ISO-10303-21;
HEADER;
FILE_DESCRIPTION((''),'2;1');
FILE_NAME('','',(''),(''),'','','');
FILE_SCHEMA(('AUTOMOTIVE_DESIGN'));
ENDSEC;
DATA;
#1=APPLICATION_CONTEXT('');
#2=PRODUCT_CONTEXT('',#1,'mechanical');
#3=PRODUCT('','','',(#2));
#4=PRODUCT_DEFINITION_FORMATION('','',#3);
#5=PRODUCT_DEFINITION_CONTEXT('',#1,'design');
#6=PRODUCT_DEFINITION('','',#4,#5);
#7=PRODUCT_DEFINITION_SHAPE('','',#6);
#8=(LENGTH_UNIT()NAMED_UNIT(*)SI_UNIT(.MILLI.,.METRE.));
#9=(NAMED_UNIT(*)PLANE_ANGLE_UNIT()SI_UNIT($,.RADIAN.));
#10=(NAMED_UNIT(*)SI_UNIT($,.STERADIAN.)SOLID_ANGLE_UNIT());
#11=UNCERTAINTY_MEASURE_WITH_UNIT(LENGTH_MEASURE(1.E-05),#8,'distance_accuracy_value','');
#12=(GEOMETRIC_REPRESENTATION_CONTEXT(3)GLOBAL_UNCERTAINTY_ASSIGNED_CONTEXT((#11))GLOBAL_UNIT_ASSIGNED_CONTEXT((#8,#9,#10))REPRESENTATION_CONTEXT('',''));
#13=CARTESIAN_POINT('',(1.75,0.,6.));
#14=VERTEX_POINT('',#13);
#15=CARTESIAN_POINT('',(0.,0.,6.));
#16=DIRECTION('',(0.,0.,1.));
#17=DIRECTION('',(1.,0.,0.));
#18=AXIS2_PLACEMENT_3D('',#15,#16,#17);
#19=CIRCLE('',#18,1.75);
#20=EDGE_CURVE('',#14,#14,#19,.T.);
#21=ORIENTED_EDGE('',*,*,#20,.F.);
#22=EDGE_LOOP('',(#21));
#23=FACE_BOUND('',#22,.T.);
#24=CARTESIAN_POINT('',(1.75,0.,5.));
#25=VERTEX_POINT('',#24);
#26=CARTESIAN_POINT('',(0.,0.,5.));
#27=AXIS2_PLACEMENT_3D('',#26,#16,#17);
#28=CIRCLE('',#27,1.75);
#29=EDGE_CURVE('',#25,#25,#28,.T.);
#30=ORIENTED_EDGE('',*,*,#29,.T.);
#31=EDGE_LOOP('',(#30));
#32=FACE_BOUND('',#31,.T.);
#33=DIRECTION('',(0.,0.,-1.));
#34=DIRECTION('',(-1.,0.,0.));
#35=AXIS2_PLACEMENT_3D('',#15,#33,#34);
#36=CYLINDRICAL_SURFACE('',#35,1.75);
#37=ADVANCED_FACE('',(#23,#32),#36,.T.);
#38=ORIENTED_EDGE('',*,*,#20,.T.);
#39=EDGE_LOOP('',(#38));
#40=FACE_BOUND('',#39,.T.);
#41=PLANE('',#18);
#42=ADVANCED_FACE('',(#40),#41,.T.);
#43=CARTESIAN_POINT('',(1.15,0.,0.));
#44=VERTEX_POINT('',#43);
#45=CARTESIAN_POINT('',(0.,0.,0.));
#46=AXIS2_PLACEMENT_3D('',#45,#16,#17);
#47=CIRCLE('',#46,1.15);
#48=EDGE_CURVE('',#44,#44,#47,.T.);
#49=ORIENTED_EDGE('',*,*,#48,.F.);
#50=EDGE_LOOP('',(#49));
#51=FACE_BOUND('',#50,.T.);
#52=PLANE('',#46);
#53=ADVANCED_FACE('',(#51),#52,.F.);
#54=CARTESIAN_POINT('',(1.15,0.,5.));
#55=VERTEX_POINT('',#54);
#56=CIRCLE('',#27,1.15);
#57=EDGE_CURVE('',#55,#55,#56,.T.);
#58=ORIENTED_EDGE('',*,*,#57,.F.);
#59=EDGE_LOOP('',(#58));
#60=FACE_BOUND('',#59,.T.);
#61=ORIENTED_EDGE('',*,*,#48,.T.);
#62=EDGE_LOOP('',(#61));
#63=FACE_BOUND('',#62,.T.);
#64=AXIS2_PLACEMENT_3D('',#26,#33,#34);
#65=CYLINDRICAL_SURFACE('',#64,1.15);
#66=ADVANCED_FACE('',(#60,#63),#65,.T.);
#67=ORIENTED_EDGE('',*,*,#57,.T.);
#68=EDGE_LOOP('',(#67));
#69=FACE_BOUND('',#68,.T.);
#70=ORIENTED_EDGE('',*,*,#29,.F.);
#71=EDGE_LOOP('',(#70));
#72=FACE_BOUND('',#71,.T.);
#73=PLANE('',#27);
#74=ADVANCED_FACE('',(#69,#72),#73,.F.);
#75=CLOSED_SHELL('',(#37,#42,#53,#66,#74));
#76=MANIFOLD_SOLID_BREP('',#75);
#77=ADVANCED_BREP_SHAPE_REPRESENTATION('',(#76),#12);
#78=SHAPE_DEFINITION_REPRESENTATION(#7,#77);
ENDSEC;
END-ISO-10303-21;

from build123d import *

# Parameters (mm, degrees)
SKETCH_1_R      = 1.15
EXTRUDE_1_DEPTH = 5
SKETCH_2_R      = 1.75
EXTRUDE_2_DEPTH = 1


with BuildPart() as part:
    # 草图1 → 凸台-拉伸1 (new body)
    with BuildSketch(Plane.XY):
        Circle(SKETCH_1_R)
    extrude(amount=EXTRUDE_1_DEPTH)

    # 草图2 → 凸台-拉伸2 (add)
    with BuildSketch(Plane.XY.offset(5)):
        Circle(SKETCH_2_R)
    extrude(amount=EXTRUDE_2_DEPTH)


solid = part.part
